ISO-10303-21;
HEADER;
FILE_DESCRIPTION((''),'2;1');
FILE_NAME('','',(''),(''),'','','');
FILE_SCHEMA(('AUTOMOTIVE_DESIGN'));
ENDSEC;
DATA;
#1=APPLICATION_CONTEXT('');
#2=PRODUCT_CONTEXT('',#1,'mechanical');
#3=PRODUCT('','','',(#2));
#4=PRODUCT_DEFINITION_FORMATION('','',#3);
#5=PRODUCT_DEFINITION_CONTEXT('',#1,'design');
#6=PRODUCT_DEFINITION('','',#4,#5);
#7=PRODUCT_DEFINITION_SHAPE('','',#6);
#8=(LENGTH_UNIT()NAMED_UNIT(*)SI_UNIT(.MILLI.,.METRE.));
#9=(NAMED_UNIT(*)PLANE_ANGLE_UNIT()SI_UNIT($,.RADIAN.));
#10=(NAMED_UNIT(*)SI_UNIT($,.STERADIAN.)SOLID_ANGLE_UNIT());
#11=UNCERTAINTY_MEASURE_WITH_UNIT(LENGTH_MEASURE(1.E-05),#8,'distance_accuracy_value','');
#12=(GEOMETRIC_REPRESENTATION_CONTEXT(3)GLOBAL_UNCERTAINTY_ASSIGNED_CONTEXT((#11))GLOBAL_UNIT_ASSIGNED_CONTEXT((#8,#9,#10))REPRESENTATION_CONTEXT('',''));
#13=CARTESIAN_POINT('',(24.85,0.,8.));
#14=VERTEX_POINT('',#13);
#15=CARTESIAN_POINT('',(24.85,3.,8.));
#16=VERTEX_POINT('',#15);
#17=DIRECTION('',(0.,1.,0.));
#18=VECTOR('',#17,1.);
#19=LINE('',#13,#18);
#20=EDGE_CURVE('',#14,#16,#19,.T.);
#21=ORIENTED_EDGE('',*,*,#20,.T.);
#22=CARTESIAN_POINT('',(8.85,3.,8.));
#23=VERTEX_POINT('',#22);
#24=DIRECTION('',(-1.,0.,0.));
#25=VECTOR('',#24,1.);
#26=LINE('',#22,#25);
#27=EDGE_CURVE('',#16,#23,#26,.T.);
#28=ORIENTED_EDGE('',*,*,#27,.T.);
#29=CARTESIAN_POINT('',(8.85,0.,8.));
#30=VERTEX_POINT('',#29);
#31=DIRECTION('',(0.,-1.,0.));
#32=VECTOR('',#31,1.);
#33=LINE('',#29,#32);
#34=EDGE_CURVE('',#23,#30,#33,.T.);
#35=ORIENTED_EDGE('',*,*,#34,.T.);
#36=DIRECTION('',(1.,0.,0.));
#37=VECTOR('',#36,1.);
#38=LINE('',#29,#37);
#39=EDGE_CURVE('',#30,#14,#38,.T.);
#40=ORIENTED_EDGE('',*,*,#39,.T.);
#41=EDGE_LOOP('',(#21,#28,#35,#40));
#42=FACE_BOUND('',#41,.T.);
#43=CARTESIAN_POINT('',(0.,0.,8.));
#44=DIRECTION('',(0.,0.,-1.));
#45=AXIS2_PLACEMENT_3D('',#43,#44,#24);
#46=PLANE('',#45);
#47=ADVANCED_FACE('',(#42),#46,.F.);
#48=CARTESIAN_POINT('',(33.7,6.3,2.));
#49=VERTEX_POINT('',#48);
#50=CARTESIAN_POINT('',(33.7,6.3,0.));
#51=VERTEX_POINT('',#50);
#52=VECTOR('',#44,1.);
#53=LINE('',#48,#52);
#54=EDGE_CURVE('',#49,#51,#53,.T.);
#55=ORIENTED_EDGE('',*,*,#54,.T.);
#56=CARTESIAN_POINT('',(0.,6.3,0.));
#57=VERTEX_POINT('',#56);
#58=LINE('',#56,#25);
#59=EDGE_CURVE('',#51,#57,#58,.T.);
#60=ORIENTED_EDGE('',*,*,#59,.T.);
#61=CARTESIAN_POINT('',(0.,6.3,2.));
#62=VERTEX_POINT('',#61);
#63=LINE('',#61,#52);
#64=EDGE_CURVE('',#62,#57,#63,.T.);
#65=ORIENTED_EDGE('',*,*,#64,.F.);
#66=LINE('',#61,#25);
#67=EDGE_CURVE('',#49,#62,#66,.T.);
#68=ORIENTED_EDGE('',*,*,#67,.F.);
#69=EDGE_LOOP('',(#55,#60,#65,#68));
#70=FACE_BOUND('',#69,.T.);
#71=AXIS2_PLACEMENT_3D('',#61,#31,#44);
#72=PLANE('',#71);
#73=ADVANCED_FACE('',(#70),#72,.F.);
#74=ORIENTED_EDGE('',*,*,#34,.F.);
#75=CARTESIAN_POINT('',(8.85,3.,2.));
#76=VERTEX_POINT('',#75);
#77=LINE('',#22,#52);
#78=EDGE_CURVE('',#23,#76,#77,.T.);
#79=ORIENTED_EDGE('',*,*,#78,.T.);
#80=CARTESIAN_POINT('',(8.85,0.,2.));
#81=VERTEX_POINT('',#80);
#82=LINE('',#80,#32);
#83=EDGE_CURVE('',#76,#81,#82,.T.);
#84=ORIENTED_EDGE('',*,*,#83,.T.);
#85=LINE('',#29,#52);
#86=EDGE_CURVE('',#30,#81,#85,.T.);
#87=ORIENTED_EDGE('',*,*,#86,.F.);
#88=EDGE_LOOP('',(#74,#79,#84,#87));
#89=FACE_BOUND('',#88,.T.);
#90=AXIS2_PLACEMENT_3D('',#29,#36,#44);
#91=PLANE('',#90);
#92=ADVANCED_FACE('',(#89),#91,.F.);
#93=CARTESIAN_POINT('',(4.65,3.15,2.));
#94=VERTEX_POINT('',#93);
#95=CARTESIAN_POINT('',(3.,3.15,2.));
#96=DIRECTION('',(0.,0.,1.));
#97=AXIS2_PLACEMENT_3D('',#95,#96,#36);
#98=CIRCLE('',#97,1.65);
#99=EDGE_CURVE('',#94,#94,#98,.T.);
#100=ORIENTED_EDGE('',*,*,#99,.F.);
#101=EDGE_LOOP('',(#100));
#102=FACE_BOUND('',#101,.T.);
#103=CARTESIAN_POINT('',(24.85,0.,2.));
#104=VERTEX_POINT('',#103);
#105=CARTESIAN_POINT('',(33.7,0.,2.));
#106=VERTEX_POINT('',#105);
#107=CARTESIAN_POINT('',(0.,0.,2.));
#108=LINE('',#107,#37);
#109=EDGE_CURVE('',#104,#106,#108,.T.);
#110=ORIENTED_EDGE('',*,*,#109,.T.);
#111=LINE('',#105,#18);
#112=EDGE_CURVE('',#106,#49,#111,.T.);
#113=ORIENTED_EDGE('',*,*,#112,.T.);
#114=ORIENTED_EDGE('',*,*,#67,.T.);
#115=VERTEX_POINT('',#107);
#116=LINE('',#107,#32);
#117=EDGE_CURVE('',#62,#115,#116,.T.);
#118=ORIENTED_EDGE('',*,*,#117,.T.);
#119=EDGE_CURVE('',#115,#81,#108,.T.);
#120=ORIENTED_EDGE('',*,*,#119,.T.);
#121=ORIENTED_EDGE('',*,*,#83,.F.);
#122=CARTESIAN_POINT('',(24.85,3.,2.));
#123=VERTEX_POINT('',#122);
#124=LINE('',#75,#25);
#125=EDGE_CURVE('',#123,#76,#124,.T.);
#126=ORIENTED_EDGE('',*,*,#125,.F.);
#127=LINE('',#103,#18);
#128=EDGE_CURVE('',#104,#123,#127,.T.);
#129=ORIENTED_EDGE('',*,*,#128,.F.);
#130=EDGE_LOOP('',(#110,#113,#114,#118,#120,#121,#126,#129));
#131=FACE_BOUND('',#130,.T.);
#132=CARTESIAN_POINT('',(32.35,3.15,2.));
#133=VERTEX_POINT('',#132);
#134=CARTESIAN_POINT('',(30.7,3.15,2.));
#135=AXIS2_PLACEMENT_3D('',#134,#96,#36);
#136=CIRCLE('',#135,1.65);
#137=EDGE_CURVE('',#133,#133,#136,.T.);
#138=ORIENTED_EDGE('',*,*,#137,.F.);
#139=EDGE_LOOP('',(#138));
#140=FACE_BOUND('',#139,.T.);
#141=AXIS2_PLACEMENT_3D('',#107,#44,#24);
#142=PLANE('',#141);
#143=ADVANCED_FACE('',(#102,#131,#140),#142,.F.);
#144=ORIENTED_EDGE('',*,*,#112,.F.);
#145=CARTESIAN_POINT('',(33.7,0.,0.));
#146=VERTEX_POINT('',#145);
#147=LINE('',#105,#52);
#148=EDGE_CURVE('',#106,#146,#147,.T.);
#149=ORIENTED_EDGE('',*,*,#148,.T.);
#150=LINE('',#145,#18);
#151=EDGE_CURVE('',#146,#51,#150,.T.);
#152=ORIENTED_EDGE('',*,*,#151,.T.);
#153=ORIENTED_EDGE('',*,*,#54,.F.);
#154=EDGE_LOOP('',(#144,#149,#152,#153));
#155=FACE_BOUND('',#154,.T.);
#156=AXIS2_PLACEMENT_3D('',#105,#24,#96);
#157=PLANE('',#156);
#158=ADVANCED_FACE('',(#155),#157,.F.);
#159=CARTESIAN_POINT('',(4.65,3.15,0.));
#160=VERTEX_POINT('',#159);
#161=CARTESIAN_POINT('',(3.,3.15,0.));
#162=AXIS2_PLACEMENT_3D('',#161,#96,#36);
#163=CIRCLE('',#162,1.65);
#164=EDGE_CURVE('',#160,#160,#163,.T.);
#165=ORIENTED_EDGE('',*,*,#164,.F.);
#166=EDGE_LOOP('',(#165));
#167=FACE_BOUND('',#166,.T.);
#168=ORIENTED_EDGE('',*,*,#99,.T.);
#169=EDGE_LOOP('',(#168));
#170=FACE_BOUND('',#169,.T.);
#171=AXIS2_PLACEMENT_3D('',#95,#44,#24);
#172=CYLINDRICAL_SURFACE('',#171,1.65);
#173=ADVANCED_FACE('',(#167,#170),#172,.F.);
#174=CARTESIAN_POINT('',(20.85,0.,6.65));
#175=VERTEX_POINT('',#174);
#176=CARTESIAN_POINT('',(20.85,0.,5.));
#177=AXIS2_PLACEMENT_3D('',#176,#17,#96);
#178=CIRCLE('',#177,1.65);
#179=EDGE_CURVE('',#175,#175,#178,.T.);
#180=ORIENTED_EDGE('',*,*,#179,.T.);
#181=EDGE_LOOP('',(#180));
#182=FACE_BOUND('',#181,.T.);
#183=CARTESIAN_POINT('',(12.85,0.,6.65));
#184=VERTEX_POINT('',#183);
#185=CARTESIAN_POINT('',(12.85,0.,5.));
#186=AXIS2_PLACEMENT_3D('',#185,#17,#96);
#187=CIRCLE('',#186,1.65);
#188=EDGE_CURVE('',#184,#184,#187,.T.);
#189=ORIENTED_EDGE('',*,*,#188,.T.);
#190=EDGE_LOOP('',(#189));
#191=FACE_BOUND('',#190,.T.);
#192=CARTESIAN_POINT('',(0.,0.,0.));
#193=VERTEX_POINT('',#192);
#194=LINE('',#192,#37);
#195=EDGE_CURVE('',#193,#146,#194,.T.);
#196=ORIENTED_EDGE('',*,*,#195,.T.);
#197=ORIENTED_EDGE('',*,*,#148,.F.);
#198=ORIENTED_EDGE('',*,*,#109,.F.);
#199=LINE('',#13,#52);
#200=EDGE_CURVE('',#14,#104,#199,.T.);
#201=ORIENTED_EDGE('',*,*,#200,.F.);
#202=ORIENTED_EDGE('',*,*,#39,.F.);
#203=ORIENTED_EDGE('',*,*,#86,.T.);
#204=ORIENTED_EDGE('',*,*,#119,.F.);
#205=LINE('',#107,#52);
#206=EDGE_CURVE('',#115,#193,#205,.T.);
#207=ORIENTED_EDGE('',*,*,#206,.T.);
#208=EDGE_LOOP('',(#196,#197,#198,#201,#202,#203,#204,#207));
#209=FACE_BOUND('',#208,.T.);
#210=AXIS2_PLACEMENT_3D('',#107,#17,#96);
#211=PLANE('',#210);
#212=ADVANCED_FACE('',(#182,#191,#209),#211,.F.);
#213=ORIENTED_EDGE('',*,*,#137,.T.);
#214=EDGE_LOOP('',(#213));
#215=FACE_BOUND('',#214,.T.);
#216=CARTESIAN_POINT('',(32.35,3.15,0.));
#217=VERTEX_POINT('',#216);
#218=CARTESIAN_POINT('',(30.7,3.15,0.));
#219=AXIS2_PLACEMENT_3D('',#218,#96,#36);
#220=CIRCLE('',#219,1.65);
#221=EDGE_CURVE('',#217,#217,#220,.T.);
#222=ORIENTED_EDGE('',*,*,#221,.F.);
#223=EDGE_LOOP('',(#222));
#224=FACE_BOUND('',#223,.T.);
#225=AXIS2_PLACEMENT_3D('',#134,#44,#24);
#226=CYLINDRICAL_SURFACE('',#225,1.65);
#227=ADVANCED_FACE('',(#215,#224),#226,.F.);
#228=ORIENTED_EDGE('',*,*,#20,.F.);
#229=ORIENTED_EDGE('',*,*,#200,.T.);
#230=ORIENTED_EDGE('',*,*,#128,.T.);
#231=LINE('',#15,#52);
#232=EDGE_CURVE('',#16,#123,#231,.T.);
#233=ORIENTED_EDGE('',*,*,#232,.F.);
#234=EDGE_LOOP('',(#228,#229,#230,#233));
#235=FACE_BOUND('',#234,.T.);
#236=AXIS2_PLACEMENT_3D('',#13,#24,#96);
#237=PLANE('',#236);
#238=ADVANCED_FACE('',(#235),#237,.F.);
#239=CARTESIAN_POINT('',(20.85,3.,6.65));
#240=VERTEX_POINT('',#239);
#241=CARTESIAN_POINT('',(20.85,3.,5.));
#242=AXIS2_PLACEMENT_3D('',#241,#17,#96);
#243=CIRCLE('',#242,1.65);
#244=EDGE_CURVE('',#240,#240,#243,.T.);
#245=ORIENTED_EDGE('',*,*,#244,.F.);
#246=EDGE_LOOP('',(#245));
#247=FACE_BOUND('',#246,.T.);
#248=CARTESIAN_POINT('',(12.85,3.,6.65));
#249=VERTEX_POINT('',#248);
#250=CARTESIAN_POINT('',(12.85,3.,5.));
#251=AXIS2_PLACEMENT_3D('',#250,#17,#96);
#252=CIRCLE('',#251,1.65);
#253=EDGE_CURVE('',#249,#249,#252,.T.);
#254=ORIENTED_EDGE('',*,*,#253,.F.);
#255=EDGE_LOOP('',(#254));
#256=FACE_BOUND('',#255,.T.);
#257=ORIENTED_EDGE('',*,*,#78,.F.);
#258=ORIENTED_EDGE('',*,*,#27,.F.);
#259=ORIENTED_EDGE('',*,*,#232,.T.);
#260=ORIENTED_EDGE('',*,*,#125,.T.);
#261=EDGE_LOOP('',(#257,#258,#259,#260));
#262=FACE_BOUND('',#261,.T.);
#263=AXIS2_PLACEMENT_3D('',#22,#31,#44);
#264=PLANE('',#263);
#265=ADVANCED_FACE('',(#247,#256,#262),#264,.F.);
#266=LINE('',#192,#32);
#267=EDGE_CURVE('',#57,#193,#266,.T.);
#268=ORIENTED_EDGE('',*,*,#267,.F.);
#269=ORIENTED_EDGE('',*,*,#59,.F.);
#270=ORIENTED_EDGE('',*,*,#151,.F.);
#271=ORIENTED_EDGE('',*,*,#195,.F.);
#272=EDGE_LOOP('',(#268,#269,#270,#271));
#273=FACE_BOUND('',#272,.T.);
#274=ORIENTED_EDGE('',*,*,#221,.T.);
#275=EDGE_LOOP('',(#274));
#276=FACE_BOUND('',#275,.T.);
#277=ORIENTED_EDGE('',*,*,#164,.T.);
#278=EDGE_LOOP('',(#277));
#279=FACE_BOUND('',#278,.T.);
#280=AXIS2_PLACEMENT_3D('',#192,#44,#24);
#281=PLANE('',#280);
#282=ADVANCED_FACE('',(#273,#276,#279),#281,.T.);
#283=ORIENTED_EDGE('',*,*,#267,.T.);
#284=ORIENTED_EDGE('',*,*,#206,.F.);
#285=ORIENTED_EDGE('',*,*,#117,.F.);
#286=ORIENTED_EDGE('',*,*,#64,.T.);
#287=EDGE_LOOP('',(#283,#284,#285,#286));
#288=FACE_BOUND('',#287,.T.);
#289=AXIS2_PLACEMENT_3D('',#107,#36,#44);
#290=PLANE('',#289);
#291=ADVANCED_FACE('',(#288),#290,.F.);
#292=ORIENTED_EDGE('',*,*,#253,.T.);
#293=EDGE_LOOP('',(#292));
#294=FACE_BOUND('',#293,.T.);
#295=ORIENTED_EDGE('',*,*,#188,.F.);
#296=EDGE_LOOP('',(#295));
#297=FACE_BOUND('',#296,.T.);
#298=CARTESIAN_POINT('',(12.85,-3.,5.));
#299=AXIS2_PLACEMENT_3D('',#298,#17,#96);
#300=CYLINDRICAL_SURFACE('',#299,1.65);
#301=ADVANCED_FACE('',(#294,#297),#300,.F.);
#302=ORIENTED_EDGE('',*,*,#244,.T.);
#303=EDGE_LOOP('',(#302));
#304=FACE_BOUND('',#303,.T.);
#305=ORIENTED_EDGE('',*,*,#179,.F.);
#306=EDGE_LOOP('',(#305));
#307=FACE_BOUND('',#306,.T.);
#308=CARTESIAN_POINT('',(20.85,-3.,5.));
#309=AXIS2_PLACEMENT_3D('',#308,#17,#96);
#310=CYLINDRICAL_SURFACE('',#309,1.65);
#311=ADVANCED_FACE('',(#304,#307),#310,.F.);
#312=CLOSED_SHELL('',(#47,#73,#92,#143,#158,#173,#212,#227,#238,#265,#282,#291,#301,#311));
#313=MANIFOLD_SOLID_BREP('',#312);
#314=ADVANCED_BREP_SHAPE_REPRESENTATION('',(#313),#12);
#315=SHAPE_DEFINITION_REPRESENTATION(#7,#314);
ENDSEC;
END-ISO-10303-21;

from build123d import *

# Parameters (mm, degrees)
SKETCH1_W           = 33.7
SKETCH1_H           = 6.3
SKETCH1_R           = 1.65
BOSS_EXTRUDE1_DEPTH = 2
SKETCH2_W           = 16
SKETCH2_H           = 3
BOSS_EXTRUDE2_DEPTH = 6
SKETCH3_R           = 1.65
CUT_EXTRUDE1_DEPTH  = 6


with BuildPart() as part:
    # Sketch1 → Boss-Extrude1 (new body)
    with BuildSketch(Plane.XY):
        with Locations((16.85, 3.15)):
            Rectangle(SKETCH1_W, SKETCH1_H)
        with Locations((3, 3.15)):
            Circle(SKETCH1_R, mode=Mode.SUBTRACT)
        with Locations((30.7, 3.15)):
            Circle(SKETCH1_R, mode=Mode.SUBTRACT)
    extrude(amount=BOSS_EXTRUDE1_DEPTH)

    # Sketch2 → Boss-Extrude2 (add)
    with BuildSketch(Plane.XY.offset(2)):
        with Locations((16.85, 1.5)):
            Rectangle(SKETCH2_W, SKETCH2_H)
    extrude(amount=BOSS_EXTRUDE2_DEPTH)

    # Sketch3 → Cut-Extrude1 (cut)
    with BuildSketch(Plane(origin=(0, 3, 0), x_dir=(1, 0, 0), z_dir=(0, 1, 0))):
        with Locations((12.85, -5)):
            Circle(SKETCH3_R)
        with Locations((20.85, -5)):
            Circle(SKETCH3_R)
    extrude(amount=-CUT_EXTRUDE1_DEPTH, mode=Mode.SUBTRACT)


solid = part.part
